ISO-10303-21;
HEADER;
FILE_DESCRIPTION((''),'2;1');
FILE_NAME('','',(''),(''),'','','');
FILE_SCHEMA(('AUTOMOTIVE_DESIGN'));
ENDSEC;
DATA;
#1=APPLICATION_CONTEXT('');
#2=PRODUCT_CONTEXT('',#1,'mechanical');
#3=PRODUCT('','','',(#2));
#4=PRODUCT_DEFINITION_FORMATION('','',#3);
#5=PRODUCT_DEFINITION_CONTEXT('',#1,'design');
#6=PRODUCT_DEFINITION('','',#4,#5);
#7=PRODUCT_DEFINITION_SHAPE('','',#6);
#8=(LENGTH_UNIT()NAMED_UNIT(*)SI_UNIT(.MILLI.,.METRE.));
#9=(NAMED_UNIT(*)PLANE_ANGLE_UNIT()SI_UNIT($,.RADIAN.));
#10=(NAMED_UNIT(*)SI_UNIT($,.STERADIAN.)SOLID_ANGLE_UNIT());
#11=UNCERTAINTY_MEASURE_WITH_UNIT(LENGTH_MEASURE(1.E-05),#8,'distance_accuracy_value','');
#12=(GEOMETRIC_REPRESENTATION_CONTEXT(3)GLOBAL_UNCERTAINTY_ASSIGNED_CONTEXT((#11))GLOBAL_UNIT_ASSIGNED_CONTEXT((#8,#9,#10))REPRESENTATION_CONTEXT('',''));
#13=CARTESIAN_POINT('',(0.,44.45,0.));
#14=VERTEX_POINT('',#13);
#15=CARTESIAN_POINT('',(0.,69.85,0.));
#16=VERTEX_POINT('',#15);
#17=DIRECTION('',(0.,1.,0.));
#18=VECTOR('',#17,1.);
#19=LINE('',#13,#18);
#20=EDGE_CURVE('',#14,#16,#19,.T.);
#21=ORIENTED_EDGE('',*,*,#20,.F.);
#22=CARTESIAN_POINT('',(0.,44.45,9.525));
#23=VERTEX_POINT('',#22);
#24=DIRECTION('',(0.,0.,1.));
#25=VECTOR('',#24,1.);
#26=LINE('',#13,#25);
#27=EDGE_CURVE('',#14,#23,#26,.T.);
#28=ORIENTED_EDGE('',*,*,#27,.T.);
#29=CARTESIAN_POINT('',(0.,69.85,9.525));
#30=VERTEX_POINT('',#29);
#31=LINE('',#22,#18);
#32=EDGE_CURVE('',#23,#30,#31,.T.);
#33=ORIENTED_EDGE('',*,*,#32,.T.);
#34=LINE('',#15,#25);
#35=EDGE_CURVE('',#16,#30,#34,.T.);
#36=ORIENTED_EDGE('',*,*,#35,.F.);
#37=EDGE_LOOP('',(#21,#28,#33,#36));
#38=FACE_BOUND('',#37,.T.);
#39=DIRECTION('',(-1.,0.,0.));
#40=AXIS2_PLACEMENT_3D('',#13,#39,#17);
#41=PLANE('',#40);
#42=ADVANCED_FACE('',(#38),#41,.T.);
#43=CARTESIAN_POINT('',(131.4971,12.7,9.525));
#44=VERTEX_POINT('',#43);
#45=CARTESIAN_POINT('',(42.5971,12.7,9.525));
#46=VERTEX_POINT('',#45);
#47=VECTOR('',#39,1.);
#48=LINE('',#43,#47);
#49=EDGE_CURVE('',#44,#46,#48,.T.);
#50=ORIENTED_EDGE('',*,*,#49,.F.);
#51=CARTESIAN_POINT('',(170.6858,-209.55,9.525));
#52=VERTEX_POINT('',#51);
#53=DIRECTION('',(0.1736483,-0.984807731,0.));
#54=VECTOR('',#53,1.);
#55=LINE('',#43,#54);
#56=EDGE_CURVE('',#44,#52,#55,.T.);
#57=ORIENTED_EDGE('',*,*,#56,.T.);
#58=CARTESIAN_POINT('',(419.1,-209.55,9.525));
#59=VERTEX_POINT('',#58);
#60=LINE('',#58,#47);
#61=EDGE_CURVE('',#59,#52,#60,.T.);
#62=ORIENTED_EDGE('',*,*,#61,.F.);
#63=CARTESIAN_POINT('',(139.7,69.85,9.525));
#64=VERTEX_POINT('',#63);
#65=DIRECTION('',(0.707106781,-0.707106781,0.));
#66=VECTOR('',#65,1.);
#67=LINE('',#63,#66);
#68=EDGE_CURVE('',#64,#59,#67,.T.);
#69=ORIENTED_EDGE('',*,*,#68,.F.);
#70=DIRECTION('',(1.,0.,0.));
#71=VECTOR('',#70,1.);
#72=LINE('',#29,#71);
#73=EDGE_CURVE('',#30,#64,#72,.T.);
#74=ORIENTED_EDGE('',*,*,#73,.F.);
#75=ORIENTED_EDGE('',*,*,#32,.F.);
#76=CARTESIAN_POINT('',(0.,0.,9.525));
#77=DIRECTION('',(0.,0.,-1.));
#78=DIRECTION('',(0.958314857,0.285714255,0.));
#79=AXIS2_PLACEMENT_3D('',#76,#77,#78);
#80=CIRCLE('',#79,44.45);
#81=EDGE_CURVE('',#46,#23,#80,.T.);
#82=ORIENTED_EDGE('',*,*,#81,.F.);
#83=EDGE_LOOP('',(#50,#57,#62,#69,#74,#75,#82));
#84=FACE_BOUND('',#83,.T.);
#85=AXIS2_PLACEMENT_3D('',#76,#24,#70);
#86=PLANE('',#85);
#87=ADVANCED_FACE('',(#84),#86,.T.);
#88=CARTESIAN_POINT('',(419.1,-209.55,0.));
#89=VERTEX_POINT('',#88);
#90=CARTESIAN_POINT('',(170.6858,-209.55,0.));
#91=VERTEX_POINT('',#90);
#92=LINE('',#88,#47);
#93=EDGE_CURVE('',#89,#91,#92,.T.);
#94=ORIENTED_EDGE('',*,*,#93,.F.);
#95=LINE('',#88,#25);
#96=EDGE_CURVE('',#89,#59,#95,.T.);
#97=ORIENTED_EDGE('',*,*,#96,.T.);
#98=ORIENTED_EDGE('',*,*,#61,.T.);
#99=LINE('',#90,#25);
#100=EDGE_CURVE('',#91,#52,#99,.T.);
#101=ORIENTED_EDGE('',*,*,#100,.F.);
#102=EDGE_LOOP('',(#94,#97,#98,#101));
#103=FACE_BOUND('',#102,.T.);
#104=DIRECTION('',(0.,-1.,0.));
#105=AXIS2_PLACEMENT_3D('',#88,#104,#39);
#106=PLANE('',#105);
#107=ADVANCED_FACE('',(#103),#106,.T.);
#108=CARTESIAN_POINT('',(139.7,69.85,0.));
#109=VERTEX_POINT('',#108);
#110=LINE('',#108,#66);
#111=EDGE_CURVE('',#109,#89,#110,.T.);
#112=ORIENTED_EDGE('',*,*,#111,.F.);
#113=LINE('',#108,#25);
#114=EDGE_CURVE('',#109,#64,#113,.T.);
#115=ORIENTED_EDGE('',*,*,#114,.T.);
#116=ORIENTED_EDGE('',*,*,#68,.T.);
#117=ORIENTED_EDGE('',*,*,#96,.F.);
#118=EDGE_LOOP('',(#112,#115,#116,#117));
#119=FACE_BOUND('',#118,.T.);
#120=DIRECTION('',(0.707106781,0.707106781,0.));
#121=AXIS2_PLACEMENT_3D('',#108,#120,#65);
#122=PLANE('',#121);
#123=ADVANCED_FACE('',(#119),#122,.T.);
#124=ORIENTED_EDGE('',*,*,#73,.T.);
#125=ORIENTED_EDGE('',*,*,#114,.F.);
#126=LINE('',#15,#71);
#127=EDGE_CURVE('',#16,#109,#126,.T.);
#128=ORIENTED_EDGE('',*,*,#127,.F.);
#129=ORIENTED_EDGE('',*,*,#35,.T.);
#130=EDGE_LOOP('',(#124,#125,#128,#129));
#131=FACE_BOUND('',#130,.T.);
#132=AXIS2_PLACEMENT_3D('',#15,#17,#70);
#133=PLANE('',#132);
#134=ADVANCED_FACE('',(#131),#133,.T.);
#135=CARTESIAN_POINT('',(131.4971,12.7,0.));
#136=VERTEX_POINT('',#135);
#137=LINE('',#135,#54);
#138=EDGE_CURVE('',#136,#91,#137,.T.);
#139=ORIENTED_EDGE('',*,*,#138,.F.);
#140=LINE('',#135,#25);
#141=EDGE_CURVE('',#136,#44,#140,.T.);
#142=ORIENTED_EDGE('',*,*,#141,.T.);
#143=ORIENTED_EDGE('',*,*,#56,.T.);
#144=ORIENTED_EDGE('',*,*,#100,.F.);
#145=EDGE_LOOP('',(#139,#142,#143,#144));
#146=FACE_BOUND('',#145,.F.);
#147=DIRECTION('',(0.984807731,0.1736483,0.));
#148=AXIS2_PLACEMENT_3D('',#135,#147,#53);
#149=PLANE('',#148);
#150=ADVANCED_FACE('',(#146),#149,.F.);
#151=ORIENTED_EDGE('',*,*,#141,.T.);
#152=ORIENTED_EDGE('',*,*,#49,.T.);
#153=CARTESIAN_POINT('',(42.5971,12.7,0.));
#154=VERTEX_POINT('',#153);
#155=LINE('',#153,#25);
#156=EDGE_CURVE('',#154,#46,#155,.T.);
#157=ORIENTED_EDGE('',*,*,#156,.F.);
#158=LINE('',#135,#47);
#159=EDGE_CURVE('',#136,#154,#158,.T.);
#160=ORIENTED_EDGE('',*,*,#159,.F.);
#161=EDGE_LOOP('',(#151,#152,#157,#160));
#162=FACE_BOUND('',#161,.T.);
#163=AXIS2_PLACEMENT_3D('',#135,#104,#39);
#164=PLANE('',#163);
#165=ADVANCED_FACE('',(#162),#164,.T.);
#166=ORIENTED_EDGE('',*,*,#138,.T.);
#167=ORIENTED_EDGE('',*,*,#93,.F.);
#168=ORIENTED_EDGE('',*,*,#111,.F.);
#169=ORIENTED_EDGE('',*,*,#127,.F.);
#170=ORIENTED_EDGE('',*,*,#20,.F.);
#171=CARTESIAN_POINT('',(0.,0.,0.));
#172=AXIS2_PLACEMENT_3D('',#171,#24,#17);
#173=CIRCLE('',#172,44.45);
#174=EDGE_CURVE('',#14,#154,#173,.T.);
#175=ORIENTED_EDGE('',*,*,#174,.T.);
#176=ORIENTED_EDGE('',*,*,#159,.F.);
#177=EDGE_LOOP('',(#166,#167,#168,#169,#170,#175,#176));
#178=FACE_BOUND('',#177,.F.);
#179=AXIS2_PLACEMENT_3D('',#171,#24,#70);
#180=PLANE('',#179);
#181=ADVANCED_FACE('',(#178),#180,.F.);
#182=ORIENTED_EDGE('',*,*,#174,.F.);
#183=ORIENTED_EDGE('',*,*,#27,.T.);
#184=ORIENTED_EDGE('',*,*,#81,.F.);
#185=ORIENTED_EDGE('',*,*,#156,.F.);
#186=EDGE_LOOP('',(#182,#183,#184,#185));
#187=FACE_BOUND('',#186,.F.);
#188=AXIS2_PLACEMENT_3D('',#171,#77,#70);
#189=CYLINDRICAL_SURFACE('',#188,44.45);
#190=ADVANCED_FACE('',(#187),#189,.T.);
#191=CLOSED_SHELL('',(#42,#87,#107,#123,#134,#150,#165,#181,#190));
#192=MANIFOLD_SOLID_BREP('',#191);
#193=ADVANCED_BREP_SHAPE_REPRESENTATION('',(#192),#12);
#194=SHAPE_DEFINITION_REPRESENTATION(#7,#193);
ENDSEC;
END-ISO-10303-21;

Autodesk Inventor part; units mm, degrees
ref_plane "YZ Plane" through (0, 0, 0) normal (1, 0, 0) x (0, 1, 0)
ref_plane "XZ Plane" through (0, 0, 0) normal (0, 1, 0) x (-1, 0, 0)
ref_plane "XY Plane" through (0, 0, 0) normal (0, 0, 1) x (1, 0, 0)
sketch "Sketch1" plane through (0, 0, 0) normal (0, 0, 1) x (1, 0, 0)
  circle A0 centre (0, 0) radius 44.45
  line L0 (0, 44.45) -> (0, 69.85)
  line L1 (0, 69.85) -> (139.7, 69.85)
  line L2 (139.7, 69.85) -> (419.1, -209.55)
  line L3 (419.1, -209.55) -> (170.6858, -209.55)
  line L4 (131.4971, 12.7) -> (42.5971, 12.7)
  line L5 (131.4971, 12.7) -> (170.6858, -209.55)
  dimension "d0" = 88.9
  dimension "d1" = 25.4
  dimension "d2" = 139.7
  dimension "d3" = 88.9
  dimension "d4" = 135
  dimension "d6" = 279.4
  dimension "d7" = 0
  dimension "d8" = 12.7
  dimension "d9" = 100
extrude "Extrusion1" add sketch "Sketch1" along normal blind 9.525
properties part number "Arm"
